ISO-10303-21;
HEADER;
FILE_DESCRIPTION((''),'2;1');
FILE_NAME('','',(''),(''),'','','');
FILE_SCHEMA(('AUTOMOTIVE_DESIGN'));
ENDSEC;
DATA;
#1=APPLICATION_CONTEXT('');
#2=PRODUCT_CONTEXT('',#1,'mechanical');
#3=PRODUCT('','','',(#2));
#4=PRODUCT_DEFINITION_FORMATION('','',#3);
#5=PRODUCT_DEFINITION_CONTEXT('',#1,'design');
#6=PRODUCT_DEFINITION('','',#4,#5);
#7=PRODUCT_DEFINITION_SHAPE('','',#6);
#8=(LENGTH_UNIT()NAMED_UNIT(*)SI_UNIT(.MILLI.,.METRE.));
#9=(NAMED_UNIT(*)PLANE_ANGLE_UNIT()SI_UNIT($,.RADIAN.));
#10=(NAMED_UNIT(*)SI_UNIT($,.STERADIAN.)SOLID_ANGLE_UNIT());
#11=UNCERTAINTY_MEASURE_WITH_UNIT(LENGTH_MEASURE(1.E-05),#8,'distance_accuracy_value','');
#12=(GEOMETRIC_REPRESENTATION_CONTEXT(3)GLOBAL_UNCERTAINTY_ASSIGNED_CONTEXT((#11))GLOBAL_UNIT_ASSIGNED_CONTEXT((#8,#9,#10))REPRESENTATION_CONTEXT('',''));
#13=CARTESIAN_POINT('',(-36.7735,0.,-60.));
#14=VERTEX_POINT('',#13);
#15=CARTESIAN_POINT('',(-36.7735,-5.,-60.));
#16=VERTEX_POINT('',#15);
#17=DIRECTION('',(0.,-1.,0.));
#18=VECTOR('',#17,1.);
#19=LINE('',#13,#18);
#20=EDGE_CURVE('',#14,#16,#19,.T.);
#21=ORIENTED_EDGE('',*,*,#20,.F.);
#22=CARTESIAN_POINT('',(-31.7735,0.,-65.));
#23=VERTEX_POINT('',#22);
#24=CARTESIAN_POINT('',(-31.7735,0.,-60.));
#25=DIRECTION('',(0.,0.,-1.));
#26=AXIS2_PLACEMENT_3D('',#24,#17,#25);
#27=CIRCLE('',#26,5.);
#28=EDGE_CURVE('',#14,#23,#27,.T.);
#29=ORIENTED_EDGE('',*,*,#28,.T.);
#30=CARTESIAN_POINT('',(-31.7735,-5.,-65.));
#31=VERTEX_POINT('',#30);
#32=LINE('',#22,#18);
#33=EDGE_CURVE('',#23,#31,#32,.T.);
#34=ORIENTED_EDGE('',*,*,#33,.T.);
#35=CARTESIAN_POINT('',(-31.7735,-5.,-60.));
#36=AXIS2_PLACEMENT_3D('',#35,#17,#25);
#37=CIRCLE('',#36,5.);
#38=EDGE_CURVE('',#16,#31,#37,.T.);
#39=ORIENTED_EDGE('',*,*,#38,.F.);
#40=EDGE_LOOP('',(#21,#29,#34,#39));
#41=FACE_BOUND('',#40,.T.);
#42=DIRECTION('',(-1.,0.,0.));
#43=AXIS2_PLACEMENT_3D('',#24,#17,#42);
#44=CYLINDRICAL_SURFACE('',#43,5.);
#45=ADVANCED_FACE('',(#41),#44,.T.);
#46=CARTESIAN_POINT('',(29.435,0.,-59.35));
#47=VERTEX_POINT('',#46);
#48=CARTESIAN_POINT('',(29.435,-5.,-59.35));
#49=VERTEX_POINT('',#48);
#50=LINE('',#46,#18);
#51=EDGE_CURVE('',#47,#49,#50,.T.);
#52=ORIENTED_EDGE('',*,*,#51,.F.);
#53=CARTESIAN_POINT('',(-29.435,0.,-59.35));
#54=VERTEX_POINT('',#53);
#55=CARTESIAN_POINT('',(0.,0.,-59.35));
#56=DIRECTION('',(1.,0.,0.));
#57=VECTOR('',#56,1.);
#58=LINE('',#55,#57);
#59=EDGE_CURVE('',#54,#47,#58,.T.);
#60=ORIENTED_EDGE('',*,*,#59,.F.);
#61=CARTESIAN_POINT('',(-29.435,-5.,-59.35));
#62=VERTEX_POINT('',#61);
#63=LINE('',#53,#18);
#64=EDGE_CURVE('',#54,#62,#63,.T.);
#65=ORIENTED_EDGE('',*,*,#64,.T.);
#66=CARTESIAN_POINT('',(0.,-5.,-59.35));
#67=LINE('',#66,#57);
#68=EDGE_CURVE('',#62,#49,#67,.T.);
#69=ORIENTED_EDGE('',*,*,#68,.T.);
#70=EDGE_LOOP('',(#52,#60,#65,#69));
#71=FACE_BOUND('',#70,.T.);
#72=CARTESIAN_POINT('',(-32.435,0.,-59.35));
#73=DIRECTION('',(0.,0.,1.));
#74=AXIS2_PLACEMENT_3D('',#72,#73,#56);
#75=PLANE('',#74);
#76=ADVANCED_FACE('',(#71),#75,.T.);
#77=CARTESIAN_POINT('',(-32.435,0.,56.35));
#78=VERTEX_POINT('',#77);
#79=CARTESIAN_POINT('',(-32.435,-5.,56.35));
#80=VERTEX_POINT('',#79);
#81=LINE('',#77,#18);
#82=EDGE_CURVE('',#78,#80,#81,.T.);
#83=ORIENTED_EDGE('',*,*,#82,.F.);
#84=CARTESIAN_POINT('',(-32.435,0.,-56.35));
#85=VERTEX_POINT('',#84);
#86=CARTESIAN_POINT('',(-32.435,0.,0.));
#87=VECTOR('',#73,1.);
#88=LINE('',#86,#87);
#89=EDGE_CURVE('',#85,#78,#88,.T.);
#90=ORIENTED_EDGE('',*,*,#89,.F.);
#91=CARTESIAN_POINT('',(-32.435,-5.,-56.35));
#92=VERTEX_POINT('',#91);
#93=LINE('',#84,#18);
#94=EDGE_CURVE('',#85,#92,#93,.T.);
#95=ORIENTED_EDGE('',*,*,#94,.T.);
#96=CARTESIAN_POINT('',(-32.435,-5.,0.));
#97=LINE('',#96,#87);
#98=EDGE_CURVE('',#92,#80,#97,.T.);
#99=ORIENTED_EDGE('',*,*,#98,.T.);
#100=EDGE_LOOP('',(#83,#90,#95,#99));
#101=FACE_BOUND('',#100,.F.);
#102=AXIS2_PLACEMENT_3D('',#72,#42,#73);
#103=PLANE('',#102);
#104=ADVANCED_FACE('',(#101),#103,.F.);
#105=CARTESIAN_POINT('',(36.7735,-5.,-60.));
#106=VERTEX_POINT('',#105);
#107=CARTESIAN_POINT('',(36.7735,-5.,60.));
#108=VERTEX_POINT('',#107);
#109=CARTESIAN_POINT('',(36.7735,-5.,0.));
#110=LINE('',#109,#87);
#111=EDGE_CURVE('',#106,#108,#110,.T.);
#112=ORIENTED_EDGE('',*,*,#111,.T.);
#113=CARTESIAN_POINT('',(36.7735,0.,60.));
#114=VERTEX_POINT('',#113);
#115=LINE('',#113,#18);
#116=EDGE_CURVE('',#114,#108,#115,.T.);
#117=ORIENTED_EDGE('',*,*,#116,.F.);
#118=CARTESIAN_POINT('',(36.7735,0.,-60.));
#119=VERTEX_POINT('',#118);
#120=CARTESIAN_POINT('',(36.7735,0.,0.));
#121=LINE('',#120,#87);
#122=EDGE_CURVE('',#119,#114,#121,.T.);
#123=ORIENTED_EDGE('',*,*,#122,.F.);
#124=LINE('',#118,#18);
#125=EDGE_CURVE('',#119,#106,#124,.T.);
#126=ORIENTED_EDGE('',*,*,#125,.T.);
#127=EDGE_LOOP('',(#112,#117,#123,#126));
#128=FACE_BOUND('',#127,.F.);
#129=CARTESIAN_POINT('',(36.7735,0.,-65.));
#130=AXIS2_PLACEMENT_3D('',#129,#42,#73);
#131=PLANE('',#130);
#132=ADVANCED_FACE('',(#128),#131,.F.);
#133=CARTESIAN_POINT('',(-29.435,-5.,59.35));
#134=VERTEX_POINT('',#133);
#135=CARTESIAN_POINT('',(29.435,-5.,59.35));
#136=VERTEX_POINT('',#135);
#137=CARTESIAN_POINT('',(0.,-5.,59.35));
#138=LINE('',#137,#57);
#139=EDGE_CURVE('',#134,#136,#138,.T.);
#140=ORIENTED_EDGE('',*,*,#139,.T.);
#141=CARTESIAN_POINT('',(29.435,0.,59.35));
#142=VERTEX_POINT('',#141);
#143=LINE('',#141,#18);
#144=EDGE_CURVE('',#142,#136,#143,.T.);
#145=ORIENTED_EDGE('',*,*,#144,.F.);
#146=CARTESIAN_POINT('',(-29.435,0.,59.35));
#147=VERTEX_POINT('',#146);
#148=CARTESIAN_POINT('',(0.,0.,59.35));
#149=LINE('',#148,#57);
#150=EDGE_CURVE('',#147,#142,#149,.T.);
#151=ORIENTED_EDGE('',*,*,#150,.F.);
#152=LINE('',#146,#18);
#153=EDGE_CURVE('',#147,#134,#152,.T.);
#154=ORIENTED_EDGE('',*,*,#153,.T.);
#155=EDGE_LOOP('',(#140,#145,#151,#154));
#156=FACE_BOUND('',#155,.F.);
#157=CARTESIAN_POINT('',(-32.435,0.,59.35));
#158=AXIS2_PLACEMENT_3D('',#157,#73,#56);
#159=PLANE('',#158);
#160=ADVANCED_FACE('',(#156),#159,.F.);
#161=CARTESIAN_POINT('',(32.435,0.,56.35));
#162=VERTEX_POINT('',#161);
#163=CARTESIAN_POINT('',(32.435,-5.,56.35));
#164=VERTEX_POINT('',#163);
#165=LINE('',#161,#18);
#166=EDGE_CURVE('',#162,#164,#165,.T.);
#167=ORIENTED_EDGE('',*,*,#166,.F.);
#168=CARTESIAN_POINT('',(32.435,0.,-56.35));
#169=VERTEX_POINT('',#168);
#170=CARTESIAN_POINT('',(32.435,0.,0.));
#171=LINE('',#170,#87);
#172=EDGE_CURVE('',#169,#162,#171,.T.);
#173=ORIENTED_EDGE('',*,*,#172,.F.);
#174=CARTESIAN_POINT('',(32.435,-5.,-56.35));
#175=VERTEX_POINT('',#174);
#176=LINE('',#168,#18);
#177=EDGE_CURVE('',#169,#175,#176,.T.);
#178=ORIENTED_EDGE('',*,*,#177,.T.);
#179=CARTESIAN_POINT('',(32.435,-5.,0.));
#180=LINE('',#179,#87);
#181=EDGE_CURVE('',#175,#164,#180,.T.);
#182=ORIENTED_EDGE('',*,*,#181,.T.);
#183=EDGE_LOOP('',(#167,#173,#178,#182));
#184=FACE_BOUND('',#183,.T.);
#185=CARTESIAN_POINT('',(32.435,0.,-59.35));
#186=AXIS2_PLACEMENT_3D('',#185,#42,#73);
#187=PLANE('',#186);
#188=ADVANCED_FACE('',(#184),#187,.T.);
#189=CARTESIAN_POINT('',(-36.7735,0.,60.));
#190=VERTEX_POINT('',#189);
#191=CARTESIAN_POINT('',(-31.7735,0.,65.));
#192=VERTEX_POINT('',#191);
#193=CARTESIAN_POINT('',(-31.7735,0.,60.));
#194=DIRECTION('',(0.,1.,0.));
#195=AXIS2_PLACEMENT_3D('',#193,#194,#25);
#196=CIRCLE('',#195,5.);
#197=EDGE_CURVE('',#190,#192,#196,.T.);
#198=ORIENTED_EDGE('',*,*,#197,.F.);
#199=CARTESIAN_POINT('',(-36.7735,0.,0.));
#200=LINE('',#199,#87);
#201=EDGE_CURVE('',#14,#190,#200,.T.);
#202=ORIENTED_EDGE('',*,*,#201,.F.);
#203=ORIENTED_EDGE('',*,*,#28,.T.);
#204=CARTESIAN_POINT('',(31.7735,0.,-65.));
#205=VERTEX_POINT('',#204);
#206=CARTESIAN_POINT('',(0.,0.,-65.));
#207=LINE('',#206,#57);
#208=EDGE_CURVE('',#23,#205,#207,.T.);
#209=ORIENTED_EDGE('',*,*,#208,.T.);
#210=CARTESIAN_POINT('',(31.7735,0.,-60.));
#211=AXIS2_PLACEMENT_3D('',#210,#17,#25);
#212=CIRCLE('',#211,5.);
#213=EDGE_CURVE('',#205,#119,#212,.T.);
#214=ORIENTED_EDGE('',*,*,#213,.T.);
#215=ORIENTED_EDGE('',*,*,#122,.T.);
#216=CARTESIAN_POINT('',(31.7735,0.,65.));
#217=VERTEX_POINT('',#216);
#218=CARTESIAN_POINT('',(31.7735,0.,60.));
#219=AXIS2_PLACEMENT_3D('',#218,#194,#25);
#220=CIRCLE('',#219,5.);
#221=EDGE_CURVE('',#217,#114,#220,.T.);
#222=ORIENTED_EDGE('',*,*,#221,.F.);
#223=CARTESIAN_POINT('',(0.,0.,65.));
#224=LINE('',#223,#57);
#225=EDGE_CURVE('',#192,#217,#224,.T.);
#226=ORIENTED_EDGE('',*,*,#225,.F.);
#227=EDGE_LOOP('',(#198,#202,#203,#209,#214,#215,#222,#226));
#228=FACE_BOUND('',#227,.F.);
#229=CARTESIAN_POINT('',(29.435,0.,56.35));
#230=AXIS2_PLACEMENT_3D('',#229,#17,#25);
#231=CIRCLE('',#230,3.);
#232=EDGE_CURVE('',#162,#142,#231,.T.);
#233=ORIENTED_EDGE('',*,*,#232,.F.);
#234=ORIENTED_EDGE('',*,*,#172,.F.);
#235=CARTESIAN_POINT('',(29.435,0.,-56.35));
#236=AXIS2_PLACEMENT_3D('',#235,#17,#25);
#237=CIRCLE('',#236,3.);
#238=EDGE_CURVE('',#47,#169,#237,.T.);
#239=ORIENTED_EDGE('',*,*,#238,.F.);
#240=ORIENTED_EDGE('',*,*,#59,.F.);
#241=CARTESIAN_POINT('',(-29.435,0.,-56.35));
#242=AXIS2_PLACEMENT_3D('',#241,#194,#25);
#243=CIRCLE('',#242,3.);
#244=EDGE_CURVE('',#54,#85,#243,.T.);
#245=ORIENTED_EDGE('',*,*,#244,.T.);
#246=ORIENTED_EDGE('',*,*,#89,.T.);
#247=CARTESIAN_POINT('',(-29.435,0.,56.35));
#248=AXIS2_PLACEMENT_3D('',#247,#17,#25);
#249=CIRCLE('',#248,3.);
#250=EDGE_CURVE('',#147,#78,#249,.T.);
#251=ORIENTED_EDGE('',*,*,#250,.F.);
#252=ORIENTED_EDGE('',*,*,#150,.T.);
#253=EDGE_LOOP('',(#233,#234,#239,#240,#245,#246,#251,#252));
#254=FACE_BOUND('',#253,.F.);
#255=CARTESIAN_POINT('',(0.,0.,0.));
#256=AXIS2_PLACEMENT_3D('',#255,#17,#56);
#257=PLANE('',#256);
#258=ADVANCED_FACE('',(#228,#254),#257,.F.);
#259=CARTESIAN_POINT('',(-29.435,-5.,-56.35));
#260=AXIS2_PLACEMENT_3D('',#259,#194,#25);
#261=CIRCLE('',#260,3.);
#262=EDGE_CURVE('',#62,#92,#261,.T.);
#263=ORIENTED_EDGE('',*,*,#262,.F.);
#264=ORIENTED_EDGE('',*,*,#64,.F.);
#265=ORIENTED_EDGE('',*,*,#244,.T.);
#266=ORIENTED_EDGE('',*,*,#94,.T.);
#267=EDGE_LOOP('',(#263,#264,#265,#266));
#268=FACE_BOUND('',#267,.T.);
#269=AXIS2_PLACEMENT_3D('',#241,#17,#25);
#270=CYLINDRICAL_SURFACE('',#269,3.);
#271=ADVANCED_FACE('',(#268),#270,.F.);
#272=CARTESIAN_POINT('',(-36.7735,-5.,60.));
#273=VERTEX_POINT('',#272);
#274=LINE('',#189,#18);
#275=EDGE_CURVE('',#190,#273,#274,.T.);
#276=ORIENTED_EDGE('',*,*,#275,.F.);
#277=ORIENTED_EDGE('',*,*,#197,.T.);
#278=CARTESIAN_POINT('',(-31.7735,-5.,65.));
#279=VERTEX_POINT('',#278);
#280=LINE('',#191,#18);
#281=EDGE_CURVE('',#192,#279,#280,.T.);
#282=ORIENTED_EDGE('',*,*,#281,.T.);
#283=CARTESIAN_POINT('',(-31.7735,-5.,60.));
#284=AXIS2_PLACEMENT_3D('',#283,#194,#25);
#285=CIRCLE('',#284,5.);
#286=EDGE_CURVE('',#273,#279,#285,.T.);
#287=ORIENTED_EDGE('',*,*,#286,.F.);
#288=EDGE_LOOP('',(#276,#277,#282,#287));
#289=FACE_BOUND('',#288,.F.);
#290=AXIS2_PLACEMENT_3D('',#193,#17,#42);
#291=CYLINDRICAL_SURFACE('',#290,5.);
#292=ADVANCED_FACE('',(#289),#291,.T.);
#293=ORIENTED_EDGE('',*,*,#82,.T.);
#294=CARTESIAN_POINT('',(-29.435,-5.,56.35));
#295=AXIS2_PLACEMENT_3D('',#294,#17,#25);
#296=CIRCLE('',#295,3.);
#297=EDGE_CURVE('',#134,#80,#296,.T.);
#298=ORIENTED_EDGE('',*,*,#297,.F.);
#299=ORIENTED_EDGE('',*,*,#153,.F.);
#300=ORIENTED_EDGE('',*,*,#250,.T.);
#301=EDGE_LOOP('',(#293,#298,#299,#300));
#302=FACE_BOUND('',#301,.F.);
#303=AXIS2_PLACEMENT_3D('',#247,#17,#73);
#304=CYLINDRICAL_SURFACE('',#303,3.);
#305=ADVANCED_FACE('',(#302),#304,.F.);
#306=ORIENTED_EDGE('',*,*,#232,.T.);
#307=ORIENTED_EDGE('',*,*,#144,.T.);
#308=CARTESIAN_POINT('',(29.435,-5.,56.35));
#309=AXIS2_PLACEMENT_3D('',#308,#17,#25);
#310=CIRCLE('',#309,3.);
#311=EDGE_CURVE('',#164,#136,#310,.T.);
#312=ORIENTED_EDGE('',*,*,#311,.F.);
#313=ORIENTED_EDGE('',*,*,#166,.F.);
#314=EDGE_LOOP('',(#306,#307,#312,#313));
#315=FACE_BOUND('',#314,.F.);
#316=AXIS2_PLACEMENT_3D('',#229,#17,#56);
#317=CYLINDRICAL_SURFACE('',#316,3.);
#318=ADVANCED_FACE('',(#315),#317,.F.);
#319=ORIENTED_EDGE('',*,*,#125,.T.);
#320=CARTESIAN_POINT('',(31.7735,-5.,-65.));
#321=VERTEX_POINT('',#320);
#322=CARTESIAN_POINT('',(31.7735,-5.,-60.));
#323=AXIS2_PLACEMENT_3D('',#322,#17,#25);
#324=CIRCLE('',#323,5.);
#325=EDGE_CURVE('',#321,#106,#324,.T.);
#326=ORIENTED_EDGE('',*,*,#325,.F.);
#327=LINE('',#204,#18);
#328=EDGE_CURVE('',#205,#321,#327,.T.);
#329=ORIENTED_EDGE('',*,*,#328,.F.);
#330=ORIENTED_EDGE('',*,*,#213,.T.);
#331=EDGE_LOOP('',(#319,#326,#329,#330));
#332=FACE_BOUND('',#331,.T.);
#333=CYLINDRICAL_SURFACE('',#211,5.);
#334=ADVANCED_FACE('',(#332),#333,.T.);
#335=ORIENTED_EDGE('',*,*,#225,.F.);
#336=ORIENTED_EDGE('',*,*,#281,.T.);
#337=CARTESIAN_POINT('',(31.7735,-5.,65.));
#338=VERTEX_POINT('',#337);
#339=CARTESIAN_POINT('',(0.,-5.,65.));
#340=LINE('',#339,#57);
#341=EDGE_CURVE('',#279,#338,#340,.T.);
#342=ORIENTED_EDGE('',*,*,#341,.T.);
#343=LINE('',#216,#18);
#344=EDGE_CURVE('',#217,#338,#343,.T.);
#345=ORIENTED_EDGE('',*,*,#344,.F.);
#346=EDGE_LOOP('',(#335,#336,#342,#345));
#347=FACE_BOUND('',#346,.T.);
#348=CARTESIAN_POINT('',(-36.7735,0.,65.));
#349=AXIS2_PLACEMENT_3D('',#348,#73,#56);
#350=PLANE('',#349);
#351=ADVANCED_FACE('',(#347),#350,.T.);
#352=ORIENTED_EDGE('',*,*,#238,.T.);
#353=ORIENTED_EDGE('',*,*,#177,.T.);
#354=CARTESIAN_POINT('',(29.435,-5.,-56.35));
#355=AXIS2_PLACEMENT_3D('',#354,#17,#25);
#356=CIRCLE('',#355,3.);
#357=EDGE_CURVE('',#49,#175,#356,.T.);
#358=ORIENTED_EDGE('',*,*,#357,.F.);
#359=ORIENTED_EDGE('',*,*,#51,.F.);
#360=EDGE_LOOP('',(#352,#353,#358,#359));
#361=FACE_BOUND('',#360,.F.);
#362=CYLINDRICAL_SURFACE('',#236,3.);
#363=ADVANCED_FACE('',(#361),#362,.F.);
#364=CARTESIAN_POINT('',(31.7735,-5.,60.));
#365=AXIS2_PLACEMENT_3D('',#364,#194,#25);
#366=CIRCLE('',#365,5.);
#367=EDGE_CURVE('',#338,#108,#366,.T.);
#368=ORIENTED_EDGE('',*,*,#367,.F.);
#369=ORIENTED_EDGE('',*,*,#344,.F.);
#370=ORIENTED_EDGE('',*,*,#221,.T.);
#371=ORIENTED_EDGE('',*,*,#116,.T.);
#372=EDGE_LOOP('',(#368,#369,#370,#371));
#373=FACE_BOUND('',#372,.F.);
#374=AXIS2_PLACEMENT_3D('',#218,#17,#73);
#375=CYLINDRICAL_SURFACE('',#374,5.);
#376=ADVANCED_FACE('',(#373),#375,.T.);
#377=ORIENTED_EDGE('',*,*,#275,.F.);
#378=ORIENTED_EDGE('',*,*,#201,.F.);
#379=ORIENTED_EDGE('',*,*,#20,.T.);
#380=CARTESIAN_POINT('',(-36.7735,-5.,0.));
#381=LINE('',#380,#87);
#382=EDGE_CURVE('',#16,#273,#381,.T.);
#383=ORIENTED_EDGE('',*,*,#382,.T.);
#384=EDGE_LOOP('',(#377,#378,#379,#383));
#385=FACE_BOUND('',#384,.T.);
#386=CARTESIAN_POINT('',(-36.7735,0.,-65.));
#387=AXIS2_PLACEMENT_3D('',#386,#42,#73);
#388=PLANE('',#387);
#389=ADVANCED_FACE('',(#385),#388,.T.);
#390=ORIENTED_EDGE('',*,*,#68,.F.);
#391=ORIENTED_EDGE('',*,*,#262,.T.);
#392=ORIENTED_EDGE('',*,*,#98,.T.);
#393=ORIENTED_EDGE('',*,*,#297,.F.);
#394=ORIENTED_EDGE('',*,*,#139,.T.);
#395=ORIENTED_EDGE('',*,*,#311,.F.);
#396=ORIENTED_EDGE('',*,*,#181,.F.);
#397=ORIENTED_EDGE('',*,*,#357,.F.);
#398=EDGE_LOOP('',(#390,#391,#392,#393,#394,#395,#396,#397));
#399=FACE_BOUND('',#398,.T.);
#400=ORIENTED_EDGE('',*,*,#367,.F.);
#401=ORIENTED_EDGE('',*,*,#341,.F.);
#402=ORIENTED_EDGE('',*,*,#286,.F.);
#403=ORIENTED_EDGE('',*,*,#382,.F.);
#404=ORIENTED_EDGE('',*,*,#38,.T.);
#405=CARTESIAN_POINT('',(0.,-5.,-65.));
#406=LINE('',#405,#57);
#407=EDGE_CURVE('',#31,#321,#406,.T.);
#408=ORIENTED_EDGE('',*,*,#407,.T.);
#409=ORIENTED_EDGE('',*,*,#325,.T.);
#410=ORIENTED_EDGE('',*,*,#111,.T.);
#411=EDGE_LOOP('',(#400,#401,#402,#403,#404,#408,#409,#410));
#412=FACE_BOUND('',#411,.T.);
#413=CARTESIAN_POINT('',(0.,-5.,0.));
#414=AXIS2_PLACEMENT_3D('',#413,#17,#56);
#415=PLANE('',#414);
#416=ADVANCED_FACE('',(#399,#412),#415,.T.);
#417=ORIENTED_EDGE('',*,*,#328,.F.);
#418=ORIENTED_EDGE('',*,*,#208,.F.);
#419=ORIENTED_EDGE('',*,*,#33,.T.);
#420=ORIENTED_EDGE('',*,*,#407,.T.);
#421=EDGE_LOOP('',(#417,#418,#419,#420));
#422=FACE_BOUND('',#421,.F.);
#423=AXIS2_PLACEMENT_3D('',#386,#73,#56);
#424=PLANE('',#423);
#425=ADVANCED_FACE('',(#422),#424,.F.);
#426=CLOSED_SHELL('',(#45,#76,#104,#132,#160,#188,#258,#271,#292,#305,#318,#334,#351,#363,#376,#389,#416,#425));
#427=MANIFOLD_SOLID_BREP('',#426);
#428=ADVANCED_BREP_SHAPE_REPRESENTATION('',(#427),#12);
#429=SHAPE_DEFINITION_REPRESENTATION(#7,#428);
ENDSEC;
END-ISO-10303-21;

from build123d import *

# Parameters (mm, degrees)
F0_W     = 73.547
F0_H     = 130
F0_W_2   = 64.87
F0_H_2   = 118.7
F1_DEPTH = 5
F2_R     = 5
F3_R     = 3


with BuildPart() as f1:
    # F0 (on Front) → F1 (new body)
    with BuildSketch(Plane.XZ):
        Rectangle(F0_W, F0_H)
        Rectangle(F0_W_2, F0_H_2, mode=Mode.SUBTRACT)
    extrude(amount=F1_DEPTH)

    # F2
    f2_edges = [f1.edges().sort_by_distance(p)[0] for p in [
        (-36.7735, -2.5, 65),
        (36.7735, -2.5, 65),
        (36.7735, -2.5, -65),
        (-36.7735, -2.5, -65),
    ]]
    fillet(f2_edges, radius=F2_R)

    # F3
    f3_edges = [f1.edges().sort_by_distance(p)[0] for p in [
        (32.435, -2.5, 59.35),
        (32.435, -2.5, -59.35),
        (-32.435, -2.5, 59.35),
        (-32.435, -2.5, -59.35),
    ]]
    fillet(f3_edges, radius=F3_R)


solid = f1.part
